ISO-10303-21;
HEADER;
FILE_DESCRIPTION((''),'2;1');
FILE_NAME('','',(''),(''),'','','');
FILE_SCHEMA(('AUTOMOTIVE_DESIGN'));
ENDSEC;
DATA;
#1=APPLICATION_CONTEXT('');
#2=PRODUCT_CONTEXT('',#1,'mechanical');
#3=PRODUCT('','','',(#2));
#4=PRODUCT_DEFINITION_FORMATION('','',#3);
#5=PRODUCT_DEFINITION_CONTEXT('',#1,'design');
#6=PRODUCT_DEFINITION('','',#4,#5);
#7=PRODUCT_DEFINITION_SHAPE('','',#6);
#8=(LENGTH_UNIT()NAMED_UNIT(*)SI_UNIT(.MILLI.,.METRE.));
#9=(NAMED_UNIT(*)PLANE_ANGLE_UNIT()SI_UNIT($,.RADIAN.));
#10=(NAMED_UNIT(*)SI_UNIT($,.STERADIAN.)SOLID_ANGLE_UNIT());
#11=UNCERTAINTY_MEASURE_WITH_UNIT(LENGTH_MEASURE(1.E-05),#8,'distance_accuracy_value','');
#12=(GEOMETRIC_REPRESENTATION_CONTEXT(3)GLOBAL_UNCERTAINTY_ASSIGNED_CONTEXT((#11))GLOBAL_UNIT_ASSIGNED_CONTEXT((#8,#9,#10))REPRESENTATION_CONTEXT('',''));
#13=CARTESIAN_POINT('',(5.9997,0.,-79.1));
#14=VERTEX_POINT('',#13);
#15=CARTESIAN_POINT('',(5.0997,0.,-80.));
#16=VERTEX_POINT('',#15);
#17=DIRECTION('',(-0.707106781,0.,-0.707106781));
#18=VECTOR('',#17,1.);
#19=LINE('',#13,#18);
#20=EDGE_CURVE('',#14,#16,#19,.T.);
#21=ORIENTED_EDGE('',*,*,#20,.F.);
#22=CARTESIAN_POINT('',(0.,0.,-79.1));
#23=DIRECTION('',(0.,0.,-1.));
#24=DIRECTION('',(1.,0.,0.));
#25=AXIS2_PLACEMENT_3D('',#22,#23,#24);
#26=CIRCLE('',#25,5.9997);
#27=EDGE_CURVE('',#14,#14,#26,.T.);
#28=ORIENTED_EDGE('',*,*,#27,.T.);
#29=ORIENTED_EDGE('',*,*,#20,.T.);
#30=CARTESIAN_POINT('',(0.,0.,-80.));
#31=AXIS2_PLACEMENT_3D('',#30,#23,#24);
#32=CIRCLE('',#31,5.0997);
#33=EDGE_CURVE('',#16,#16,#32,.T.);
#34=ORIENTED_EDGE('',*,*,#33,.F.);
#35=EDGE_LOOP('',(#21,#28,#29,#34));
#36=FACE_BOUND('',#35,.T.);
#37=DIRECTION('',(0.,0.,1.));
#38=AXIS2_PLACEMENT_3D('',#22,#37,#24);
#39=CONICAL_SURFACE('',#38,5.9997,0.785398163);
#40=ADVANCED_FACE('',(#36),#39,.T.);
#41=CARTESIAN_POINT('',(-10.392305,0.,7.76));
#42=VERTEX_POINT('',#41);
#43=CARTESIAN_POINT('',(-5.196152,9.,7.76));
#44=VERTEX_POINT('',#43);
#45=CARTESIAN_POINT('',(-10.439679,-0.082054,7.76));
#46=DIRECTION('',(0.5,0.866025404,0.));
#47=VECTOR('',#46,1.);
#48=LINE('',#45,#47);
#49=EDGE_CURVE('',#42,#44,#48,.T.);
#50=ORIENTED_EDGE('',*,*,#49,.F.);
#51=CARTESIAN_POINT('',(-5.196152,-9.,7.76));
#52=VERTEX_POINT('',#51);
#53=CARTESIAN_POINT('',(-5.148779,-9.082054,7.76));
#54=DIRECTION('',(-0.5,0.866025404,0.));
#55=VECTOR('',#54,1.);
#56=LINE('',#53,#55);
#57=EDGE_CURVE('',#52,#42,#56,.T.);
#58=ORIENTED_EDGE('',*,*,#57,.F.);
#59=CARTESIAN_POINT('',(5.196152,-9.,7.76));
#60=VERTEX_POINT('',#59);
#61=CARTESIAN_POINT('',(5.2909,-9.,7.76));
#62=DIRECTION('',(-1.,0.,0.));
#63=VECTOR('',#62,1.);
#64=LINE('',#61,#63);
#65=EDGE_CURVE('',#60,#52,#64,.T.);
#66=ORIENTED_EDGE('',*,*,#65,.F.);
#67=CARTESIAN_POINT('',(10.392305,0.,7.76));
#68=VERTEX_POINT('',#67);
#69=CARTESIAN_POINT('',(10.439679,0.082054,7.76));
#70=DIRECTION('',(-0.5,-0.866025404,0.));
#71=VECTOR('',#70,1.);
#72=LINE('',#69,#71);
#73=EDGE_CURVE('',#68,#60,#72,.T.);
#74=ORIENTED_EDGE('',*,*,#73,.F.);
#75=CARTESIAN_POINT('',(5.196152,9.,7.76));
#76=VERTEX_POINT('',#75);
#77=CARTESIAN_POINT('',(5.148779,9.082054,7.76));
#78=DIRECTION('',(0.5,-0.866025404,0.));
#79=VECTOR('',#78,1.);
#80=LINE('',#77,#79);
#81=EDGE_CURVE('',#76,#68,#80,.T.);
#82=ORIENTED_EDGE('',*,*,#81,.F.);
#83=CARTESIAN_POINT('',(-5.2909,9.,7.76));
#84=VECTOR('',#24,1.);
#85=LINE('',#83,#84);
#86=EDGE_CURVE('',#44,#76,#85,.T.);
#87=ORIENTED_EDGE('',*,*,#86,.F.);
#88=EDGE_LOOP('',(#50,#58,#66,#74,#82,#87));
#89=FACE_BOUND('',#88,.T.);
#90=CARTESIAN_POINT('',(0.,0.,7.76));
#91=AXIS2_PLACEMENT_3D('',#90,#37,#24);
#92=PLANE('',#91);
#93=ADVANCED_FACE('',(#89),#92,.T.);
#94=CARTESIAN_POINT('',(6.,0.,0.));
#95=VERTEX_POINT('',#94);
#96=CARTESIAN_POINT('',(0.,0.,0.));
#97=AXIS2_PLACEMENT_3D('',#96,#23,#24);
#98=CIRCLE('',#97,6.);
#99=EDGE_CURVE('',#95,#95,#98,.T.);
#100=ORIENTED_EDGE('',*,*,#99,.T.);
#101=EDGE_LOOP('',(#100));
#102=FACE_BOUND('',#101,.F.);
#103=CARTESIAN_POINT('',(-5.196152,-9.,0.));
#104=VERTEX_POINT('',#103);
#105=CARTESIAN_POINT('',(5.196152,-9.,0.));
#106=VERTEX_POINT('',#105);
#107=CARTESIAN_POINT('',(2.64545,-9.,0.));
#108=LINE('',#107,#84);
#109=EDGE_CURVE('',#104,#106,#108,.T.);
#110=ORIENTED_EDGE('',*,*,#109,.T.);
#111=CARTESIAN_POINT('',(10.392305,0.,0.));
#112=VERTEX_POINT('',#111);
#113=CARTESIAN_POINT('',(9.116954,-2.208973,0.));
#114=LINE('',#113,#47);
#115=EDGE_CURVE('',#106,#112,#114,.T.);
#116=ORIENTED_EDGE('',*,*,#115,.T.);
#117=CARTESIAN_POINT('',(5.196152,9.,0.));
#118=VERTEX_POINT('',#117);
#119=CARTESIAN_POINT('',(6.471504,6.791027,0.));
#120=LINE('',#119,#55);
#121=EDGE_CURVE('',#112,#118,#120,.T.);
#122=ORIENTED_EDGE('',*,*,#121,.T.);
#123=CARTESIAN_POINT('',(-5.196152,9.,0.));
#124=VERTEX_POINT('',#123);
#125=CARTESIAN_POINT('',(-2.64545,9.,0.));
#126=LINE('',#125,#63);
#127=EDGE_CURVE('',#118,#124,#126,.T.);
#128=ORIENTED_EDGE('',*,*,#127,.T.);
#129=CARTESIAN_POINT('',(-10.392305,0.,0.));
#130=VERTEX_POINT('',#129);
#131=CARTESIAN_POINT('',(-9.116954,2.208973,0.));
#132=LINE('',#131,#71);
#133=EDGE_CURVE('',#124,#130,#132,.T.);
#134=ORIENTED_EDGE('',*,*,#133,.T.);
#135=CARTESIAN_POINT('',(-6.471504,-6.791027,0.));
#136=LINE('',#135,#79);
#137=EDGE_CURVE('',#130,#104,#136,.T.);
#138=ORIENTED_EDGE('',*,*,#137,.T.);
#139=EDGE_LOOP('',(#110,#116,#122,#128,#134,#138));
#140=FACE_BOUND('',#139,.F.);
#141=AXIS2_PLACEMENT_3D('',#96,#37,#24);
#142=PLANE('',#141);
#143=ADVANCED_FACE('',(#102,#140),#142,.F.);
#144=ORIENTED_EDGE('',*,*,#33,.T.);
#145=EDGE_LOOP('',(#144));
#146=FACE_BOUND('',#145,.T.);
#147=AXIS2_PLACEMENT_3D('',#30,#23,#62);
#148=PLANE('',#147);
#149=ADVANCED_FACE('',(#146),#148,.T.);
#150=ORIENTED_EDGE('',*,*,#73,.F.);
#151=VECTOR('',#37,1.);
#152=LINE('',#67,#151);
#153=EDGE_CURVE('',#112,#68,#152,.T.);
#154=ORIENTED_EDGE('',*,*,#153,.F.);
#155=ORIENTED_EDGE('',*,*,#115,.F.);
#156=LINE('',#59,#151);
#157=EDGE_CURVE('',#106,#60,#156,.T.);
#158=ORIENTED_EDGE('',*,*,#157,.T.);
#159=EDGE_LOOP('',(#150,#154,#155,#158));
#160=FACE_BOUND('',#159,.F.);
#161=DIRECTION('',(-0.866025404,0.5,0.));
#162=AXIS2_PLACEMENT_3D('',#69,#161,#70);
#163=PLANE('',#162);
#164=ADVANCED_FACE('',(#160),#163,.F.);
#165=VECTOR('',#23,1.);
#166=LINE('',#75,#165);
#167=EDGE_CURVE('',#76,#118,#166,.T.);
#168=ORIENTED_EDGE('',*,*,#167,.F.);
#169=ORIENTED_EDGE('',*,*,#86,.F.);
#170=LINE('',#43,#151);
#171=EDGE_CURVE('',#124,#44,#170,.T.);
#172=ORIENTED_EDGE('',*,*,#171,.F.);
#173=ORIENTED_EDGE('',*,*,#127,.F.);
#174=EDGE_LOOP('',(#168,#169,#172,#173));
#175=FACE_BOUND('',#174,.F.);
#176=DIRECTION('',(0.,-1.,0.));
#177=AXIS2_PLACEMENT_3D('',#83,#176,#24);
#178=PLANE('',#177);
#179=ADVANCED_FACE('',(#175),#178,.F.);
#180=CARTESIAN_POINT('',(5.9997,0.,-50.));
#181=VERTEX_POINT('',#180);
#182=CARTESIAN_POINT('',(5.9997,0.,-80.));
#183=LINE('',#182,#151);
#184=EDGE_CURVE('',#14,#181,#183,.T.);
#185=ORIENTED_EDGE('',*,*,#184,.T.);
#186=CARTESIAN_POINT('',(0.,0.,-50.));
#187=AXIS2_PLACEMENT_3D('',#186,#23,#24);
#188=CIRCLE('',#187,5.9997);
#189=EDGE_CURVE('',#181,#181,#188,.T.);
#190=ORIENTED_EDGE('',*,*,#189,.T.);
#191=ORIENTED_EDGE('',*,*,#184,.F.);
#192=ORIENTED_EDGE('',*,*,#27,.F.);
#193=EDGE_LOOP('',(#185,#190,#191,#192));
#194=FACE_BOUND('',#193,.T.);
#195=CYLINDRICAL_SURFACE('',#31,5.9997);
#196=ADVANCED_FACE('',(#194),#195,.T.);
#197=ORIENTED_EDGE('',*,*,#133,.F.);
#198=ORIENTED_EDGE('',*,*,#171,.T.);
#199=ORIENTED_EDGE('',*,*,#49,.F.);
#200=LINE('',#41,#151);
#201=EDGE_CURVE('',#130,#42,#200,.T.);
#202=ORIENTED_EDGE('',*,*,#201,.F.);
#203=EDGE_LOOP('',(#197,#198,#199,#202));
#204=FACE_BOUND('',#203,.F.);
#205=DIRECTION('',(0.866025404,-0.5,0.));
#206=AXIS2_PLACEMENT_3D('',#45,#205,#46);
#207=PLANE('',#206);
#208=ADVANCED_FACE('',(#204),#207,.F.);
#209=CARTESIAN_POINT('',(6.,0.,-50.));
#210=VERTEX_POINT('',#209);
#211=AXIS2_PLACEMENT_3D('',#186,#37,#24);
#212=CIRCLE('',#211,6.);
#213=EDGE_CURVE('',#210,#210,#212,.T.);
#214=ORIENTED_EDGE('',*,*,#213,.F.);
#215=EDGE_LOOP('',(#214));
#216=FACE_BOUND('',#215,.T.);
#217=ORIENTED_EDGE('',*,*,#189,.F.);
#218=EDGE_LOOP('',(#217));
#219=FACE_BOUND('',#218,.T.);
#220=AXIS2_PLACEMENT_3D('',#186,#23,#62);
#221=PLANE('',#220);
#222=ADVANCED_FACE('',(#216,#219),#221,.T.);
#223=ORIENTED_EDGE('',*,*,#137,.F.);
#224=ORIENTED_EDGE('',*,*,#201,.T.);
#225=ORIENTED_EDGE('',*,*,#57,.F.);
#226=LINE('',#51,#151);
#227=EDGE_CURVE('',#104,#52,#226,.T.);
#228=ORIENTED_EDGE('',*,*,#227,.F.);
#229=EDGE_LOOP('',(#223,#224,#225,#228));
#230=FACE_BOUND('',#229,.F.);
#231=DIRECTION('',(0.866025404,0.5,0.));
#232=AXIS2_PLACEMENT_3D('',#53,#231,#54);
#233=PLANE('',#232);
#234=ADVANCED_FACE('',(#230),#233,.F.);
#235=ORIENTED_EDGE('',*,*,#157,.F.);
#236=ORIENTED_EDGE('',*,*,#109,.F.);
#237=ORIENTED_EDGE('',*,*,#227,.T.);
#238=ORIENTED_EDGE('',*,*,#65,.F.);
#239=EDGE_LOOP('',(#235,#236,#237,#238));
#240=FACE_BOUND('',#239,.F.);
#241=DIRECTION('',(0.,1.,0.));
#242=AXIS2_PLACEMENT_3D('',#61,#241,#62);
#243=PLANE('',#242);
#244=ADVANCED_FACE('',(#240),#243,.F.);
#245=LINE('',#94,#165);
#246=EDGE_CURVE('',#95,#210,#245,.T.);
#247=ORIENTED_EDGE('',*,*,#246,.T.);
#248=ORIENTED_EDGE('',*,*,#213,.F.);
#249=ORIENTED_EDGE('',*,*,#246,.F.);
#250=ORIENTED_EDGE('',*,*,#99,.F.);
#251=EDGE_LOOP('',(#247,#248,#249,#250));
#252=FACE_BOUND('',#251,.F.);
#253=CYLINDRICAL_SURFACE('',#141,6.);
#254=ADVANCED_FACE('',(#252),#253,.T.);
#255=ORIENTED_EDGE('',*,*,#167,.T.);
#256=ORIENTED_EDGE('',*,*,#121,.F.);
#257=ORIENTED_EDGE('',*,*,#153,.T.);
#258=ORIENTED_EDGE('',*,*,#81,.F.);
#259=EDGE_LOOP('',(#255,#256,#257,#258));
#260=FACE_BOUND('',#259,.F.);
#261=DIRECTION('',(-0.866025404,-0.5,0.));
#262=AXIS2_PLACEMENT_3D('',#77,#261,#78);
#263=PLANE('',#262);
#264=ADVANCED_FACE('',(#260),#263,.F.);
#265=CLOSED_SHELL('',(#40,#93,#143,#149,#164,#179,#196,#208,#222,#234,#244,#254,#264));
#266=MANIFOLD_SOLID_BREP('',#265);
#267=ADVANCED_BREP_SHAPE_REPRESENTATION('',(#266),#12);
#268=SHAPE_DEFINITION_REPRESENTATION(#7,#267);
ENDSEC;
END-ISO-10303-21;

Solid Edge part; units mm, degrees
sketch "Sketch1" plane through (0, 0, 0) normal (0, 0, 1) x (1, 0, 0)
  circle A0 centre (0, 0) radius 10.44
  dimension "D1" = 20.88
extrude "Protrusion1" add sketch "Sketch1" along normal blind 7.76
sketch "Sketch2" plane through (0, 0, 0) normal (0, 0, -1) x (1, 0, 0)
  circle A0 centre (0, 0) radius 6
extrude "Protrusion2" add sketch "Sketch2" along normal blind 80
sketch "Sketch3" plane through (0, 0, -80) normal (0, 0, -1) x (1, 0, 0)
  circle A0 centre (0, 0) radius 5.9997
extrude "Cutout1" cut sketch "Sketch3" against normal blind 30 flip side to cut
chamfer "Chamfer_1" distance 0.9 angle 45 1 edges at (-5.9997, 0, -80)
sketch "Sketch4" plane through (0, 0, 7.76) normal (0, 0, 1) x (1, 0, 0)
  line L0 (-5.2909, 9) -> (5.2909, 9)
  dimension "D1" = 18
extrude "Cutout2" cut sketch "Sketch4" against normal up to next material side at (0, 9.05, 7.76)
pattern_circular "Pattern1" count 6 over 360 about axis through (0, 0, 7.76) along (0, 0, 1) of "Cutout2"
properties part number "118484"
